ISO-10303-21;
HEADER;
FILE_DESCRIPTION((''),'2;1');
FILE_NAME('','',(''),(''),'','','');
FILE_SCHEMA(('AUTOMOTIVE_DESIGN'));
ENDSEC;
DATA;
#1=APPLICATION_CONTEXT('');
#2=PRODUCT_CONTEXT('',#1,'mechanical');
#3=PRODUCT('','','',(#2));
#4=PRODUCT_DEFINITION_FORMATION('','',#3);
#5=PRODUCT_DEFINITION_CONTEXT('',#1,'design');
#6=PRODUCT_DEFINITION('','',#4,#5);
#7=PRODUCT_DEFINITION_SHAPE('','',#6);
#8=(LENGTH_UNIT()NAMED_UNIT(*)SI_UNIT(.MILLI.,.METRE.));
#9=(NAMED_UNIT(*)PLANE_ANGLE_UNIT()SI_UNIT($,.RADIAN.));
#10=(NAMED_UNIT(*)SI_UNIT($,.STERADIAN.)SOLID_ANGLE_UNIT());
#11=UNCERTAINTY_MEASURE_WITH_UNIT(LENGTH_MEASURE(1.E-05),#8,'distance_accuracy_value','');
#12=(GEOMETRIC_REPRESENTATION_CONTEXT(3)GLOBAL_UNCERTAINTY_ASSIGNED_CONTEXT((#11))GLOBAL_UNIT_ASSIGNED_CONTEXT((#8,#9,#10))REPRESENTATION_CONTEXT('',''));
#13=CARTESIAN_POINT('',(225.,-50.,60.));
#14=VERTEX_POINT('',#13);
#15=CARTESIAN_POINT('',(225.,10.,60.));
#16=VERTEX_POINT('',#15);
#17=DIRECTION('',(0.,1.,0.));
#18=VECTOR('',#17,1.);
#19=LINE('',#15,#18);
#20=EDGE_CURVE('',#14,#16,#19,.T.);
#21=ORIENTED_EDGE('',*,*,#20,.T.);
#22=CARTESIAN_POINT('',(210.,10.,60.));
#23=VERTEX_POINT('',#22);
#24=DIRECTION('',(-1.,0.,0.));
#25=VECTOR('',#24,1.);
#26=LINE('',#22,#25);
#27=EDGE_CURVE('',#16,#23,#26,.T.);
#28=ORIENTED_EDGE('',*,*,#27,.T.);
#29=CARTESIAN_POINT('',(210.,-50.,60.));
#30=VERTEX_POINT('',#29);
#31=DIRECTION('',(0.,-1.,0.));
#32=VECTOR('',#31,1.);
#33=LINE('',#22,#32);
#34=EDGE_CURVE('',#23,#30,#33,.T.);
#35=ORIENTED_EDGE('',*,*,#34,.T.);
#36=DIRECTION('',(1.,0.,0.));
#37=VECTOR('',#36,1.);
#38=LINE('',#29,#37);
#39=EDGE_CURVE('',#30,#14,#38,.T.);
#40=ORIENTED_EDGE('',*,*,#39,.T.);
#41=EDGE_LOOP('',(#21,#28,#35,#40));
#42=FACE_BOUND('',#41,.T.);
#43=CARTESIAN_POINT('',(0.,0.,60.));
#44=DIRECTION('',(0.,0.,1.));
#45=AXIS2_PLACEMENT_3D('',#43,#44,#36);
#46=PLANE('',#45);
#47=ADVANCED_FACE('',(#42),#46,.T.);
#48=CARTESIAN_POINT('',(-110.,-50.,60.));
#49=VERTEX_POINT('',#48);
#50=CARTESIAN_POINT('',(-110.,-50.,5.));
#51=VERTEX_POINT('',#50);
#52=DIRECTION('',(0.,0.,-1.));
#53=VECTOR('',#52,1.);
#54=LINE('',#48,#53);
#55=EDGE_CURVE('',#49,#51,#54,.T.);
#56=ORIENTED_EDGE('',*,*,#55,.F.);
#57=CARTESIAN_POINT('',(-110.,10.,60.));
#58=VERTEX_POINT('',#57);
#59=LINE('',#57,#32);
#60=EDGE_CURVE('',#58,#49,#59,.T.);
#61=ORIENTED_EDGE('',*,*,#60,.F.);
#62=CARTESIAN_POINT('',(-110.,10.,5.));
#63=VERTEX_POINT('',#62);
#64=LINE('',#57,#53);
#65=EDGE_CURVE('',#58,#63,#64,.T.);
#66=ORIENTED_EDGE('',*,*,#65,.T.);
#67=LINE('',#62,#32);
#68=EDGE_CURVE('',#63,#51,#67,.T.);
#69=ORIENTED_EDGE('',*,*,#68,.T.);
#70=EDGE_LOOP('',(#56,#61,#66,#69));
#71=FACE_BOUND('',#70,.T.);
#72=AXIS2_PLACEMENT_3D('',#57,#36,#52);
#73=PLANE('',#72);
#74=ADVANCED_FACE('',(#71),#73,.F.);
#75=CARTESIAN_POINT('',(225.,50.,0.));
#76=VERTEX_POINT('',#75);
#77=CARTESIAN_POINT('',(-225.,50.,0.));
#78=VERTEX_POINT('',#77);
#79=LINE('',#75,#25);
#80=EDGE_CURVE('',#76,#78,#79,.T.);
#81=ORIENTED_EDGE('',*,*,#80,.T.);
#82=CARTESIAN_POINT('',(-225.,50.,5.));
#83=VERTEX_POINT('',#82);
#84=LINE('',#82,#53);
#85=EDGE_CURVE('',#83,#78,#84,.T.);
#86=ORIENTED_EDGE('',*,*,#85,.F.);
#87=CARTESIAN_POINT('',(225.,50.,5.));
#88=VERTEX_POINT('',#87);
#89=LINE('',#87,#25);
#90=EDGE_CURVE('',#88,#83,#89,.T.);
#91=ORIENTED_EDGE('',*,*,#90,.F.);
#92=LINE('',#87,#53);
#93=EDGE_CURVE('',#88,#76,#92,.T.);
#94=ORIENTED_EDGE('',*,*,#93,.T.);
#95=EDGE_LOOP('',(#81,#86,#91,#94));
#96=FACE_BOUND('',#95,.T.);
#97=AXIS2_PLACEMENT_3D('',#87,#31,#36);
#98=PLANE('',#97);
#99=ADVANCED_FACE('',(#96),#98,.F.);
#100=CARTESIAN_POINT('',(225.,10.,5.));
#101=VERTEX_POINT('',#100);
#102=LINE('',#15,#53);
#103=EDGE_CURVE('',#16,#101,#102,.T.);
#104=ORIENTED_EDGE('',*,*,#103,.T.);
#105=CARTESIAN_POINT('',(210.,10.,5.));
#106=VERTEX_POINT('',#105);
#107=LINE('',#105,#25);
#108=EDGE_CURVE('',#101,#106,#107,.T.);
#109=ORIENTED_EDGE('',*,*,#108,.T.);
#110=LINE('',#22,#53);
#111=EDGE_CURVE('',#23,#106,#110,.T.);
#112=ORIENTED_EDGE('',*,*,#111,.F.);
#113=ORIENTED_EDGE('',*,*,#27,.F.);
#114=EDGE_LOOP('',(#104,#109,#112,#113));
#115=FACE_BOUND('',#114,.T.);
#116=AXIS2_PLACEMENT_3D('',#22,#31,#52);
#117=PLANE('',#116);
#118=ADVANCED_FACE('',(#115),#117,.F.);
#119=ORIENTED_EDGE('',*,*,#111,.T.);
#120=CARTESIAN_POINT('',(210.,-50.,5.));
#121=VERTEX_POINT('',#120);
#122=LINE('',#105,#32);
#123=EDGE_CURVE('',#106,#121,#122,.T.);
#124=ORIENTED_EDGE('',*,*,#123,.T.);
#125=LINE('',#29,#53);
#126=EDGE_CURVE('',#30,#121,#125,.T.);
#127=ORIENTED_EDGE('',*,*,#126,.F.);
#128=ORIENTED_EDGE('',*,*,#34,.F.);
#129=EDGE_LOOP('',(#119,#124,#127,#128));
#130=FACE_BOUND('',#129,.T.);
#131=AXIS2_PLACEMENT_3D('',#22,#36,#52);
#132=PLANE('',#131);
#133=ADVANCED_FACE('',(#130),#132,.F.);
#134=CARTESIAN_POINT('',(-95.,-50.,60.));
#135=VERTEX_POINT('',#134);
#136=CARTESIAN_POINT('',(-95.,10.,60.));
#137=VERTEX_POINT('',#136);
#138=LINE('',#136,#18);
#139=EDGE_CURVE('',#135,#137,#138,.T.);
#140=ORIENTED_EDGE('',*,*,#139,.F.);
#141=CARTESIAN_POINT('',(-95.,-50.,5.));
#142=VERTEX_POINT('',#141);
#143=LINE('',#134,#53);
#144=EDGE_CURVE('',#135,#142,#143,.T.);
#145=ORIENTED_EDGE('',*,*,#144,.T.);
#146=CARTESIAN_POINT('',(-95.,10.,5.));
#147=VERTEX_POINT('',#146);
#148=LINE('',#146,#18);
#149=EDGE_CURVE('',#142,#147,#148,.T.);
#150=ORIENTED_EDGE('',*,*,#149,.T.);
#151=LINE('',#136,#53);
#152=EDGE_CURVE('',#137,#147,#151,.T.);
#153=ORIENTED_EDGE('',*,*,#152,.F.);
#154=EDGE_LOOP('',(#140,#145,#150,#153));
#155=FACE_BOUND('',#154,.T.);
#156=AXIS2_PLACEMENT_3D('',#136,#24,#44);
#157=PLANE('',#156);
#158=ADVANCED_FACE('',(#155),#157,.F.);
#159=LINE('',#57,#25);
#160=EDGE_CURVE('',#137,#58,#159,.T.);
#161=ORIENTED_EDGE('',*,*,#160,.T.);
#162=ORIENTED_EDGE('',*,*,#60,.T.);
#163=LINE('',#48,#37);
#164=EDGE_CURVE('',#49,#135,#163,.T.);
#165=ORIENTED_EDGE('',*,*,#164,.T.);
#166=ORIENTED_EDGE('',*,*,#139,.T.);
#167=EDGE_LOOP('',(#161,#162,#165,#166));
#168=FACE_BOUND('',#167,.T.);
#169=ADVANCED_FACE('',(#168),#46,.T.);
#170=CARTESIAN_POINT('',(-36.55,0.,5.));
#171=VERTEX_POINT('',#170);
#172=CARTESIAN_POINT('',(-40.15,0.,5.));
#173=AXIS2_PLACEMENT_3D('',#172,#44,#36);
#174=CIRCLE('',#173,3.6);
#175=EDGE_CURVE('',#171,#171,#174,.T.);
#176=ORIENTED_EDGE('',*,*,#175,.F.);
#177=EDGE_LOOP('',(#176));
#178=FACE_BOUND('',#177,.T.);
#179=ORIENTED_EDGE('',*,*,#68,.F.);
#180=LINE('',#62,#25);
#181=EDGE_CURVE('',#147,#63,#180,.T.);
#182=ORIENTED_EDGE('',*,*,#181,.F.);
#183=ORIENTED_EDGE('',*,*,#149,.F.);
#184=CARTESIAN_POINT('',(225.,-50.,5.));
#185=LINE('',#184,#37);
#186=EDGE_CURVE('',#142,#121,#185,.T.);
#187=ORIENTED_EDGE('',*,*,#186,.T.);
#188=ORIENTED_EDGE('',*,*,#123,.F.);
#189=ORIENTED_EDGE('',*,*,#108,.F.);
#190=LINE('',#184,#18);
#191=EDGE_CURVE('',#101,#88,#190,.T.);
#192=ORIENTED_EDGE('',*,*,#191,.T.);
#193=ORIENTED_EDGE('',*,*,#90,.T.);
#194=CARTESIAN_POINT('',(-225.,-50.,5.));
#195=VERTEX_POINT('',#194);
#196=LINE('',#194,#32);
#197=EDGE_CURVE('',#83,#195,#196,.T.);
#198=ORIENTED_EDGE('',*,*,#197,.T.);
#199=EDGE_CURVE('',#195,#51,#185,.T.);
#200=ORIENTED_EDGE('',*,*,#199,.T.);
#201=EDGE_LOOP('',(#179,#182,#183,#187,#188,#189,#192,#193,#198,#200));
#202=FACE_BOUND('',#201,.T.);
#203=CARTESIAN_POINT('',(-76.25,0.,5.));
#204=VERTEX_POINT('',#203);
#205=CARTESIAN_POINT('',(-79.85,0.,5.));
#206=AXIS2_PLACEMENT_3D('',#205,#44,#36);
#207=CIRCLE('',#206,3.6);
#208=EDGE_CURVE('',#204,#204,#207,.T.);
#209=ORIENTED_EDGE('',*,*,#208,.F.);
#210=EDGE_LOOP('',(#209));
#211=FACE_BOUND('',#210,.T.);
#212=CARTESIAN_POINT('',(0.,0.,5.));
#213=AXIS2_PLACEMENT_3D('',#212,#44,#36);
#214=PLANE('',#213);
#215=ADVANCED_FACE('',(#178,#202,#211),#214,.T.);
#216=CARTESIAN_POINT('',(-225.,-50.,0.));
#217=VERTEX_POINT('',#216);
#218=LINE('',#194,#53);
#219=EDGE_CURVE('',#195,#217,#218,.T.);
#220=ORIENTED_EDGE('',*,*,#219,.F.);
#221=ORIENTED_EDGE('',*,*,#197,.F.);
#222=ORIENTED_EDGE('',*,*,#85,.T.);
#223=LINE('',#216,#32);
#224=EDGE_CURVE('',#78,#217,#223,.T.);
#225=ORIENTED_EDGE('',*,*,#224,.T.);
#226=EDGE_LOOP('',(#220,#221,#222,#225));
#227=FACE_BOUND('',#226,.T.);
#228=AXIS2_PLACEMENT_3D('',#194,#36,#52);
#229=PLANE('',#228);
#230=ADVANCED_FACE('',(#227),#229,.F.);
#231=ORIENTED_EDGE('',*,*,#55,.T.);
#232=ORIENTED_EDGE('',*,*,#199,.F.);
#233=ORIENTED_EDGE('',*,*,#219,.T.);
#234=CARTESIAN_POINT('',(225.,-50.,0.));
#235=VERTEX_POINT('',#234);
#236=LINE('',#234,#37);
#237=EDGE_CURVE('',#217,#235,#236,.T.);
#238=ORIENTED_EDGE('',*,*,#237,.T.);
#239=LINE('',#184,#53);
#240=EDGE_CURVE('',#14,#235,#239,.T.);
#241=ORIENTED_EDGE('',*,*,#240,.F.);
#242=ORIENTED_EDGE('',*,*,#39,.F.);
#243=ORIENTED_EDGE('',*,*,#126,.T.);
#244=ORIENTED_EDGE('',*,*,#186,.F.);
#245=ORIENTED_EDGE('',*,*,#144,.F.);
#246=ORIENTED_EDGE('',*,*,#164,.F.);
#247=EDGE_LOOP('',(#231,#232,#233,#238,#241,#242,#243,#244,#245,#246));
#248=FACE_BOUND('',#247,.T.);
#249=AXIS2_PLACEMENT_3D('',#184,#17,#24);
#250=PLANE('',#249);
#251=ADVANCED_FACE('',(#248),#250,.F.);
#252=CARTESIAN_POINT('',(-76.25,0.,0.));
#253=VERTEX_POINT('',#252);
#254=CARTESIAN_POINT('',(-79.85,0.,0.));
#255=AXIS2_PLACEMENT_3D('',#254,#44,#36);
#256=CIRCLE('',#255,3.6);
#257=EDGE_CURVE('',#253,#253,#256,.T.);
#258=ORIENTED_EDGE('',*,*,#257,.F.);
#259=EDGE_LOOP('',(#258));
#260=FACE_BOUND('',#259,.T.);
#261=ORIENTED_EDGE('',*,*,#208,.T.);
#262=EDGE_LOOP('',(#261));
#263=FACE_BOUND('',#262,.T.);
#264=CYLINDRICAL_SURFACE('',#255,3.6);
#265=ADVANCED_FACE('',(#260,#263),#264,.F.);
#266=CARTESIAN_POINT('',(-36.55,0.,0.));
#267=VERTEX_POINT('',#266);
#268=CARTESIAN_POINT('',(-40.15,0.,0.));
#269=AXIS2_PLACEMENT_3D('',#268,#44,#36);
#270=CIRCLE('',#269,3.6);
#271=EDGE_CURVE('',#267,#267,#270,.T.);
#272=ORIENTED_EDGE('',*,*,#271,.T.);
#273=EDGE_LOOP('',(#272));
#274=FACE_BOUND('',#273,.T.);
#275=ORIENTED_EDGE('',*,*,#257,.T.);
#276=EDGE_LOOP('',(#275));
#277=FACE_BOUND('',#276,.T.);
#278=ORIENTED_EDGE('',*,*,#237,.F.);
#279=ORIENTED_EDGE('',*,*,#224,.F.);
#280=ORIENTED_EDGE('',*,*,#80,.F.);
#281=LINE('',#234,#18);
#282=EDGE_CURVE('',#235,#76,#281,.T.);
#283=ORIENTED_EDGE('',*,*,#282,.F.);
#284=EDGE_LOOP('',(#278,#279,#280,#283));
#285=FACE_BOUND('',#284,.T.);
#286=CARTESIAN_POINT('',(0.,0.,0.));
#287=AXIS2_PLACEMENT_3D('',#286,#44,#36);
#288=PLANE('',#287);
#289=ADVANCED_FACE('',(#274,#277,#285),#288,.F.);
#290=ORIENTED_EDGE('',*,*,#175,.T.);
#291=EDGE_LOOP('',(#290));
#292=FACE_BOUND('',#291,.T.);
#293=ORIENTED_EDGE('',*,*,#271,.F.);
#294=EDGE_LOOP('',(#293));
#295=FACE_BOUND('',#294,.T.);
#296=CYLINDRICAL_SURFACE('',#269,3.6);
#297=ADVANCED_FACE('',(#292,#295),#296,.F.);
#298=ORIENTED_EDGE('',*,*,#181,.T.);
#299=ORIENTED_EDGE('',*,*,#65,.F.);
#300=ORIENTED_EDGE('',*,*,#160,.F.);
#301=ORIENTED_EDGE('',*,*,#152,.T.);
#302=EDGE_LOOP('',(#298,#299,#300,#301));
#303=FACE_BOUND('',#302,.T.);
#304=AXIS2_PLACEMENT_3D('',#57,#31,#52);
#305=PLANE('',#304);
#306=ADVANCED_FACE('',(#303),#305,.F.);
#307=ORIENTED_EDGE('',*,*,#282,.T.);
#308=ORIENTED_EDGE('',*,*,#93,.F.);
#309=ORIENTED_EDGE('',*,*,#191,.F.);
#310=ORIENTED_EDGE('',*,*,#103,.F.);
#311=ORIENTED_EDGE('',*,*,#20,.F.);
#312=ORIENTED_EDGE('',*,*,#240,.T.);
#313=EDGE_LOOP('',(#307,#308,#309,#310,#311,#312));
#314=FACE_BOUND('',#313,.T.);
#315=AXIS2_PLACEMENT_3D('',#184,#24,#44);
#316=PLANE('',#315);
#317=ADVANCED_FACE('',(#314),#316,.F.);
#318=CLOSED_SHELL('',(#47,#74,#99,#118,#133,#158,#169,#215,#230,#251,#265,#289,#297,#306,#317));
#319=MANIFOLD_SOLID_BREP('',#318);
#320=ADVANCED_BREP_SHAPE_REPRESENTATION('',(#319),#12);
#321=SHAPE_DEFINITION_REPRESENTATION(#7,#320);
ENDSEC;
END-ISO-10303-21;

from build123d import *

# Parameters (mm, degrees)
SKETCH1_W               = 450
SKETCH1_H               = 100
BOSS_EXTRUDE1_DEPTH     = 5
SKETCH2_W               = 15
SKETCH2_H               = 60
BOSS_EXTRUDE2_DEPTH     = 55
SKETCH3_R               = 3.6
CUT_EXTRUDE1_DEPTH      = 56
CUT_EXTRUDE1_DEPTH_BACK = 6


with BuildPart() as part:
    # Sketch1 → Boss-Extrude1 (new body)
    with BuildSketch(Plane.XY):
        Rectangle(SKETCH1_W, SKETCH1_H)
    extrude(amount=BOSS_EXTRUDE1_DEPTH)

    # Sketch2 → Boss-Extrude2 (add)
    with BuildSketch(Plane.XY.offset(5)):
        with Locations((217.5, -20)):
            Rectangle(SKETCH2_W, SKETCH2_H)
        with Locations((-102.5, -20)):
            Rectangle(SKETCH2_W, SKETCH2_H)
    extrude(amount=BOSS_EXTRUDE2_DEPTH)

    # Sketch3 → Cut-Extrude1 (cut, two sides)
    with BuildSketch(Plane.XY.offset(5)) as cut_extrude1_sk:
        with Locations((-79.85, 0)):
            Circle(SKETCH3_R)
        with Locations((-40.15, 0)):
            Circle(SKETCH3_R)
    extrude(amount=CUT_EXTRUDE1_DEPTH, mode=Mode.SUBTRACT)
    extrude(cut_extrude1_sk.sketch, amount=-CUT_EXTRUDE1_DEPTH_BACK, mode=Mode.SUBTRACT)


solid = part.part
